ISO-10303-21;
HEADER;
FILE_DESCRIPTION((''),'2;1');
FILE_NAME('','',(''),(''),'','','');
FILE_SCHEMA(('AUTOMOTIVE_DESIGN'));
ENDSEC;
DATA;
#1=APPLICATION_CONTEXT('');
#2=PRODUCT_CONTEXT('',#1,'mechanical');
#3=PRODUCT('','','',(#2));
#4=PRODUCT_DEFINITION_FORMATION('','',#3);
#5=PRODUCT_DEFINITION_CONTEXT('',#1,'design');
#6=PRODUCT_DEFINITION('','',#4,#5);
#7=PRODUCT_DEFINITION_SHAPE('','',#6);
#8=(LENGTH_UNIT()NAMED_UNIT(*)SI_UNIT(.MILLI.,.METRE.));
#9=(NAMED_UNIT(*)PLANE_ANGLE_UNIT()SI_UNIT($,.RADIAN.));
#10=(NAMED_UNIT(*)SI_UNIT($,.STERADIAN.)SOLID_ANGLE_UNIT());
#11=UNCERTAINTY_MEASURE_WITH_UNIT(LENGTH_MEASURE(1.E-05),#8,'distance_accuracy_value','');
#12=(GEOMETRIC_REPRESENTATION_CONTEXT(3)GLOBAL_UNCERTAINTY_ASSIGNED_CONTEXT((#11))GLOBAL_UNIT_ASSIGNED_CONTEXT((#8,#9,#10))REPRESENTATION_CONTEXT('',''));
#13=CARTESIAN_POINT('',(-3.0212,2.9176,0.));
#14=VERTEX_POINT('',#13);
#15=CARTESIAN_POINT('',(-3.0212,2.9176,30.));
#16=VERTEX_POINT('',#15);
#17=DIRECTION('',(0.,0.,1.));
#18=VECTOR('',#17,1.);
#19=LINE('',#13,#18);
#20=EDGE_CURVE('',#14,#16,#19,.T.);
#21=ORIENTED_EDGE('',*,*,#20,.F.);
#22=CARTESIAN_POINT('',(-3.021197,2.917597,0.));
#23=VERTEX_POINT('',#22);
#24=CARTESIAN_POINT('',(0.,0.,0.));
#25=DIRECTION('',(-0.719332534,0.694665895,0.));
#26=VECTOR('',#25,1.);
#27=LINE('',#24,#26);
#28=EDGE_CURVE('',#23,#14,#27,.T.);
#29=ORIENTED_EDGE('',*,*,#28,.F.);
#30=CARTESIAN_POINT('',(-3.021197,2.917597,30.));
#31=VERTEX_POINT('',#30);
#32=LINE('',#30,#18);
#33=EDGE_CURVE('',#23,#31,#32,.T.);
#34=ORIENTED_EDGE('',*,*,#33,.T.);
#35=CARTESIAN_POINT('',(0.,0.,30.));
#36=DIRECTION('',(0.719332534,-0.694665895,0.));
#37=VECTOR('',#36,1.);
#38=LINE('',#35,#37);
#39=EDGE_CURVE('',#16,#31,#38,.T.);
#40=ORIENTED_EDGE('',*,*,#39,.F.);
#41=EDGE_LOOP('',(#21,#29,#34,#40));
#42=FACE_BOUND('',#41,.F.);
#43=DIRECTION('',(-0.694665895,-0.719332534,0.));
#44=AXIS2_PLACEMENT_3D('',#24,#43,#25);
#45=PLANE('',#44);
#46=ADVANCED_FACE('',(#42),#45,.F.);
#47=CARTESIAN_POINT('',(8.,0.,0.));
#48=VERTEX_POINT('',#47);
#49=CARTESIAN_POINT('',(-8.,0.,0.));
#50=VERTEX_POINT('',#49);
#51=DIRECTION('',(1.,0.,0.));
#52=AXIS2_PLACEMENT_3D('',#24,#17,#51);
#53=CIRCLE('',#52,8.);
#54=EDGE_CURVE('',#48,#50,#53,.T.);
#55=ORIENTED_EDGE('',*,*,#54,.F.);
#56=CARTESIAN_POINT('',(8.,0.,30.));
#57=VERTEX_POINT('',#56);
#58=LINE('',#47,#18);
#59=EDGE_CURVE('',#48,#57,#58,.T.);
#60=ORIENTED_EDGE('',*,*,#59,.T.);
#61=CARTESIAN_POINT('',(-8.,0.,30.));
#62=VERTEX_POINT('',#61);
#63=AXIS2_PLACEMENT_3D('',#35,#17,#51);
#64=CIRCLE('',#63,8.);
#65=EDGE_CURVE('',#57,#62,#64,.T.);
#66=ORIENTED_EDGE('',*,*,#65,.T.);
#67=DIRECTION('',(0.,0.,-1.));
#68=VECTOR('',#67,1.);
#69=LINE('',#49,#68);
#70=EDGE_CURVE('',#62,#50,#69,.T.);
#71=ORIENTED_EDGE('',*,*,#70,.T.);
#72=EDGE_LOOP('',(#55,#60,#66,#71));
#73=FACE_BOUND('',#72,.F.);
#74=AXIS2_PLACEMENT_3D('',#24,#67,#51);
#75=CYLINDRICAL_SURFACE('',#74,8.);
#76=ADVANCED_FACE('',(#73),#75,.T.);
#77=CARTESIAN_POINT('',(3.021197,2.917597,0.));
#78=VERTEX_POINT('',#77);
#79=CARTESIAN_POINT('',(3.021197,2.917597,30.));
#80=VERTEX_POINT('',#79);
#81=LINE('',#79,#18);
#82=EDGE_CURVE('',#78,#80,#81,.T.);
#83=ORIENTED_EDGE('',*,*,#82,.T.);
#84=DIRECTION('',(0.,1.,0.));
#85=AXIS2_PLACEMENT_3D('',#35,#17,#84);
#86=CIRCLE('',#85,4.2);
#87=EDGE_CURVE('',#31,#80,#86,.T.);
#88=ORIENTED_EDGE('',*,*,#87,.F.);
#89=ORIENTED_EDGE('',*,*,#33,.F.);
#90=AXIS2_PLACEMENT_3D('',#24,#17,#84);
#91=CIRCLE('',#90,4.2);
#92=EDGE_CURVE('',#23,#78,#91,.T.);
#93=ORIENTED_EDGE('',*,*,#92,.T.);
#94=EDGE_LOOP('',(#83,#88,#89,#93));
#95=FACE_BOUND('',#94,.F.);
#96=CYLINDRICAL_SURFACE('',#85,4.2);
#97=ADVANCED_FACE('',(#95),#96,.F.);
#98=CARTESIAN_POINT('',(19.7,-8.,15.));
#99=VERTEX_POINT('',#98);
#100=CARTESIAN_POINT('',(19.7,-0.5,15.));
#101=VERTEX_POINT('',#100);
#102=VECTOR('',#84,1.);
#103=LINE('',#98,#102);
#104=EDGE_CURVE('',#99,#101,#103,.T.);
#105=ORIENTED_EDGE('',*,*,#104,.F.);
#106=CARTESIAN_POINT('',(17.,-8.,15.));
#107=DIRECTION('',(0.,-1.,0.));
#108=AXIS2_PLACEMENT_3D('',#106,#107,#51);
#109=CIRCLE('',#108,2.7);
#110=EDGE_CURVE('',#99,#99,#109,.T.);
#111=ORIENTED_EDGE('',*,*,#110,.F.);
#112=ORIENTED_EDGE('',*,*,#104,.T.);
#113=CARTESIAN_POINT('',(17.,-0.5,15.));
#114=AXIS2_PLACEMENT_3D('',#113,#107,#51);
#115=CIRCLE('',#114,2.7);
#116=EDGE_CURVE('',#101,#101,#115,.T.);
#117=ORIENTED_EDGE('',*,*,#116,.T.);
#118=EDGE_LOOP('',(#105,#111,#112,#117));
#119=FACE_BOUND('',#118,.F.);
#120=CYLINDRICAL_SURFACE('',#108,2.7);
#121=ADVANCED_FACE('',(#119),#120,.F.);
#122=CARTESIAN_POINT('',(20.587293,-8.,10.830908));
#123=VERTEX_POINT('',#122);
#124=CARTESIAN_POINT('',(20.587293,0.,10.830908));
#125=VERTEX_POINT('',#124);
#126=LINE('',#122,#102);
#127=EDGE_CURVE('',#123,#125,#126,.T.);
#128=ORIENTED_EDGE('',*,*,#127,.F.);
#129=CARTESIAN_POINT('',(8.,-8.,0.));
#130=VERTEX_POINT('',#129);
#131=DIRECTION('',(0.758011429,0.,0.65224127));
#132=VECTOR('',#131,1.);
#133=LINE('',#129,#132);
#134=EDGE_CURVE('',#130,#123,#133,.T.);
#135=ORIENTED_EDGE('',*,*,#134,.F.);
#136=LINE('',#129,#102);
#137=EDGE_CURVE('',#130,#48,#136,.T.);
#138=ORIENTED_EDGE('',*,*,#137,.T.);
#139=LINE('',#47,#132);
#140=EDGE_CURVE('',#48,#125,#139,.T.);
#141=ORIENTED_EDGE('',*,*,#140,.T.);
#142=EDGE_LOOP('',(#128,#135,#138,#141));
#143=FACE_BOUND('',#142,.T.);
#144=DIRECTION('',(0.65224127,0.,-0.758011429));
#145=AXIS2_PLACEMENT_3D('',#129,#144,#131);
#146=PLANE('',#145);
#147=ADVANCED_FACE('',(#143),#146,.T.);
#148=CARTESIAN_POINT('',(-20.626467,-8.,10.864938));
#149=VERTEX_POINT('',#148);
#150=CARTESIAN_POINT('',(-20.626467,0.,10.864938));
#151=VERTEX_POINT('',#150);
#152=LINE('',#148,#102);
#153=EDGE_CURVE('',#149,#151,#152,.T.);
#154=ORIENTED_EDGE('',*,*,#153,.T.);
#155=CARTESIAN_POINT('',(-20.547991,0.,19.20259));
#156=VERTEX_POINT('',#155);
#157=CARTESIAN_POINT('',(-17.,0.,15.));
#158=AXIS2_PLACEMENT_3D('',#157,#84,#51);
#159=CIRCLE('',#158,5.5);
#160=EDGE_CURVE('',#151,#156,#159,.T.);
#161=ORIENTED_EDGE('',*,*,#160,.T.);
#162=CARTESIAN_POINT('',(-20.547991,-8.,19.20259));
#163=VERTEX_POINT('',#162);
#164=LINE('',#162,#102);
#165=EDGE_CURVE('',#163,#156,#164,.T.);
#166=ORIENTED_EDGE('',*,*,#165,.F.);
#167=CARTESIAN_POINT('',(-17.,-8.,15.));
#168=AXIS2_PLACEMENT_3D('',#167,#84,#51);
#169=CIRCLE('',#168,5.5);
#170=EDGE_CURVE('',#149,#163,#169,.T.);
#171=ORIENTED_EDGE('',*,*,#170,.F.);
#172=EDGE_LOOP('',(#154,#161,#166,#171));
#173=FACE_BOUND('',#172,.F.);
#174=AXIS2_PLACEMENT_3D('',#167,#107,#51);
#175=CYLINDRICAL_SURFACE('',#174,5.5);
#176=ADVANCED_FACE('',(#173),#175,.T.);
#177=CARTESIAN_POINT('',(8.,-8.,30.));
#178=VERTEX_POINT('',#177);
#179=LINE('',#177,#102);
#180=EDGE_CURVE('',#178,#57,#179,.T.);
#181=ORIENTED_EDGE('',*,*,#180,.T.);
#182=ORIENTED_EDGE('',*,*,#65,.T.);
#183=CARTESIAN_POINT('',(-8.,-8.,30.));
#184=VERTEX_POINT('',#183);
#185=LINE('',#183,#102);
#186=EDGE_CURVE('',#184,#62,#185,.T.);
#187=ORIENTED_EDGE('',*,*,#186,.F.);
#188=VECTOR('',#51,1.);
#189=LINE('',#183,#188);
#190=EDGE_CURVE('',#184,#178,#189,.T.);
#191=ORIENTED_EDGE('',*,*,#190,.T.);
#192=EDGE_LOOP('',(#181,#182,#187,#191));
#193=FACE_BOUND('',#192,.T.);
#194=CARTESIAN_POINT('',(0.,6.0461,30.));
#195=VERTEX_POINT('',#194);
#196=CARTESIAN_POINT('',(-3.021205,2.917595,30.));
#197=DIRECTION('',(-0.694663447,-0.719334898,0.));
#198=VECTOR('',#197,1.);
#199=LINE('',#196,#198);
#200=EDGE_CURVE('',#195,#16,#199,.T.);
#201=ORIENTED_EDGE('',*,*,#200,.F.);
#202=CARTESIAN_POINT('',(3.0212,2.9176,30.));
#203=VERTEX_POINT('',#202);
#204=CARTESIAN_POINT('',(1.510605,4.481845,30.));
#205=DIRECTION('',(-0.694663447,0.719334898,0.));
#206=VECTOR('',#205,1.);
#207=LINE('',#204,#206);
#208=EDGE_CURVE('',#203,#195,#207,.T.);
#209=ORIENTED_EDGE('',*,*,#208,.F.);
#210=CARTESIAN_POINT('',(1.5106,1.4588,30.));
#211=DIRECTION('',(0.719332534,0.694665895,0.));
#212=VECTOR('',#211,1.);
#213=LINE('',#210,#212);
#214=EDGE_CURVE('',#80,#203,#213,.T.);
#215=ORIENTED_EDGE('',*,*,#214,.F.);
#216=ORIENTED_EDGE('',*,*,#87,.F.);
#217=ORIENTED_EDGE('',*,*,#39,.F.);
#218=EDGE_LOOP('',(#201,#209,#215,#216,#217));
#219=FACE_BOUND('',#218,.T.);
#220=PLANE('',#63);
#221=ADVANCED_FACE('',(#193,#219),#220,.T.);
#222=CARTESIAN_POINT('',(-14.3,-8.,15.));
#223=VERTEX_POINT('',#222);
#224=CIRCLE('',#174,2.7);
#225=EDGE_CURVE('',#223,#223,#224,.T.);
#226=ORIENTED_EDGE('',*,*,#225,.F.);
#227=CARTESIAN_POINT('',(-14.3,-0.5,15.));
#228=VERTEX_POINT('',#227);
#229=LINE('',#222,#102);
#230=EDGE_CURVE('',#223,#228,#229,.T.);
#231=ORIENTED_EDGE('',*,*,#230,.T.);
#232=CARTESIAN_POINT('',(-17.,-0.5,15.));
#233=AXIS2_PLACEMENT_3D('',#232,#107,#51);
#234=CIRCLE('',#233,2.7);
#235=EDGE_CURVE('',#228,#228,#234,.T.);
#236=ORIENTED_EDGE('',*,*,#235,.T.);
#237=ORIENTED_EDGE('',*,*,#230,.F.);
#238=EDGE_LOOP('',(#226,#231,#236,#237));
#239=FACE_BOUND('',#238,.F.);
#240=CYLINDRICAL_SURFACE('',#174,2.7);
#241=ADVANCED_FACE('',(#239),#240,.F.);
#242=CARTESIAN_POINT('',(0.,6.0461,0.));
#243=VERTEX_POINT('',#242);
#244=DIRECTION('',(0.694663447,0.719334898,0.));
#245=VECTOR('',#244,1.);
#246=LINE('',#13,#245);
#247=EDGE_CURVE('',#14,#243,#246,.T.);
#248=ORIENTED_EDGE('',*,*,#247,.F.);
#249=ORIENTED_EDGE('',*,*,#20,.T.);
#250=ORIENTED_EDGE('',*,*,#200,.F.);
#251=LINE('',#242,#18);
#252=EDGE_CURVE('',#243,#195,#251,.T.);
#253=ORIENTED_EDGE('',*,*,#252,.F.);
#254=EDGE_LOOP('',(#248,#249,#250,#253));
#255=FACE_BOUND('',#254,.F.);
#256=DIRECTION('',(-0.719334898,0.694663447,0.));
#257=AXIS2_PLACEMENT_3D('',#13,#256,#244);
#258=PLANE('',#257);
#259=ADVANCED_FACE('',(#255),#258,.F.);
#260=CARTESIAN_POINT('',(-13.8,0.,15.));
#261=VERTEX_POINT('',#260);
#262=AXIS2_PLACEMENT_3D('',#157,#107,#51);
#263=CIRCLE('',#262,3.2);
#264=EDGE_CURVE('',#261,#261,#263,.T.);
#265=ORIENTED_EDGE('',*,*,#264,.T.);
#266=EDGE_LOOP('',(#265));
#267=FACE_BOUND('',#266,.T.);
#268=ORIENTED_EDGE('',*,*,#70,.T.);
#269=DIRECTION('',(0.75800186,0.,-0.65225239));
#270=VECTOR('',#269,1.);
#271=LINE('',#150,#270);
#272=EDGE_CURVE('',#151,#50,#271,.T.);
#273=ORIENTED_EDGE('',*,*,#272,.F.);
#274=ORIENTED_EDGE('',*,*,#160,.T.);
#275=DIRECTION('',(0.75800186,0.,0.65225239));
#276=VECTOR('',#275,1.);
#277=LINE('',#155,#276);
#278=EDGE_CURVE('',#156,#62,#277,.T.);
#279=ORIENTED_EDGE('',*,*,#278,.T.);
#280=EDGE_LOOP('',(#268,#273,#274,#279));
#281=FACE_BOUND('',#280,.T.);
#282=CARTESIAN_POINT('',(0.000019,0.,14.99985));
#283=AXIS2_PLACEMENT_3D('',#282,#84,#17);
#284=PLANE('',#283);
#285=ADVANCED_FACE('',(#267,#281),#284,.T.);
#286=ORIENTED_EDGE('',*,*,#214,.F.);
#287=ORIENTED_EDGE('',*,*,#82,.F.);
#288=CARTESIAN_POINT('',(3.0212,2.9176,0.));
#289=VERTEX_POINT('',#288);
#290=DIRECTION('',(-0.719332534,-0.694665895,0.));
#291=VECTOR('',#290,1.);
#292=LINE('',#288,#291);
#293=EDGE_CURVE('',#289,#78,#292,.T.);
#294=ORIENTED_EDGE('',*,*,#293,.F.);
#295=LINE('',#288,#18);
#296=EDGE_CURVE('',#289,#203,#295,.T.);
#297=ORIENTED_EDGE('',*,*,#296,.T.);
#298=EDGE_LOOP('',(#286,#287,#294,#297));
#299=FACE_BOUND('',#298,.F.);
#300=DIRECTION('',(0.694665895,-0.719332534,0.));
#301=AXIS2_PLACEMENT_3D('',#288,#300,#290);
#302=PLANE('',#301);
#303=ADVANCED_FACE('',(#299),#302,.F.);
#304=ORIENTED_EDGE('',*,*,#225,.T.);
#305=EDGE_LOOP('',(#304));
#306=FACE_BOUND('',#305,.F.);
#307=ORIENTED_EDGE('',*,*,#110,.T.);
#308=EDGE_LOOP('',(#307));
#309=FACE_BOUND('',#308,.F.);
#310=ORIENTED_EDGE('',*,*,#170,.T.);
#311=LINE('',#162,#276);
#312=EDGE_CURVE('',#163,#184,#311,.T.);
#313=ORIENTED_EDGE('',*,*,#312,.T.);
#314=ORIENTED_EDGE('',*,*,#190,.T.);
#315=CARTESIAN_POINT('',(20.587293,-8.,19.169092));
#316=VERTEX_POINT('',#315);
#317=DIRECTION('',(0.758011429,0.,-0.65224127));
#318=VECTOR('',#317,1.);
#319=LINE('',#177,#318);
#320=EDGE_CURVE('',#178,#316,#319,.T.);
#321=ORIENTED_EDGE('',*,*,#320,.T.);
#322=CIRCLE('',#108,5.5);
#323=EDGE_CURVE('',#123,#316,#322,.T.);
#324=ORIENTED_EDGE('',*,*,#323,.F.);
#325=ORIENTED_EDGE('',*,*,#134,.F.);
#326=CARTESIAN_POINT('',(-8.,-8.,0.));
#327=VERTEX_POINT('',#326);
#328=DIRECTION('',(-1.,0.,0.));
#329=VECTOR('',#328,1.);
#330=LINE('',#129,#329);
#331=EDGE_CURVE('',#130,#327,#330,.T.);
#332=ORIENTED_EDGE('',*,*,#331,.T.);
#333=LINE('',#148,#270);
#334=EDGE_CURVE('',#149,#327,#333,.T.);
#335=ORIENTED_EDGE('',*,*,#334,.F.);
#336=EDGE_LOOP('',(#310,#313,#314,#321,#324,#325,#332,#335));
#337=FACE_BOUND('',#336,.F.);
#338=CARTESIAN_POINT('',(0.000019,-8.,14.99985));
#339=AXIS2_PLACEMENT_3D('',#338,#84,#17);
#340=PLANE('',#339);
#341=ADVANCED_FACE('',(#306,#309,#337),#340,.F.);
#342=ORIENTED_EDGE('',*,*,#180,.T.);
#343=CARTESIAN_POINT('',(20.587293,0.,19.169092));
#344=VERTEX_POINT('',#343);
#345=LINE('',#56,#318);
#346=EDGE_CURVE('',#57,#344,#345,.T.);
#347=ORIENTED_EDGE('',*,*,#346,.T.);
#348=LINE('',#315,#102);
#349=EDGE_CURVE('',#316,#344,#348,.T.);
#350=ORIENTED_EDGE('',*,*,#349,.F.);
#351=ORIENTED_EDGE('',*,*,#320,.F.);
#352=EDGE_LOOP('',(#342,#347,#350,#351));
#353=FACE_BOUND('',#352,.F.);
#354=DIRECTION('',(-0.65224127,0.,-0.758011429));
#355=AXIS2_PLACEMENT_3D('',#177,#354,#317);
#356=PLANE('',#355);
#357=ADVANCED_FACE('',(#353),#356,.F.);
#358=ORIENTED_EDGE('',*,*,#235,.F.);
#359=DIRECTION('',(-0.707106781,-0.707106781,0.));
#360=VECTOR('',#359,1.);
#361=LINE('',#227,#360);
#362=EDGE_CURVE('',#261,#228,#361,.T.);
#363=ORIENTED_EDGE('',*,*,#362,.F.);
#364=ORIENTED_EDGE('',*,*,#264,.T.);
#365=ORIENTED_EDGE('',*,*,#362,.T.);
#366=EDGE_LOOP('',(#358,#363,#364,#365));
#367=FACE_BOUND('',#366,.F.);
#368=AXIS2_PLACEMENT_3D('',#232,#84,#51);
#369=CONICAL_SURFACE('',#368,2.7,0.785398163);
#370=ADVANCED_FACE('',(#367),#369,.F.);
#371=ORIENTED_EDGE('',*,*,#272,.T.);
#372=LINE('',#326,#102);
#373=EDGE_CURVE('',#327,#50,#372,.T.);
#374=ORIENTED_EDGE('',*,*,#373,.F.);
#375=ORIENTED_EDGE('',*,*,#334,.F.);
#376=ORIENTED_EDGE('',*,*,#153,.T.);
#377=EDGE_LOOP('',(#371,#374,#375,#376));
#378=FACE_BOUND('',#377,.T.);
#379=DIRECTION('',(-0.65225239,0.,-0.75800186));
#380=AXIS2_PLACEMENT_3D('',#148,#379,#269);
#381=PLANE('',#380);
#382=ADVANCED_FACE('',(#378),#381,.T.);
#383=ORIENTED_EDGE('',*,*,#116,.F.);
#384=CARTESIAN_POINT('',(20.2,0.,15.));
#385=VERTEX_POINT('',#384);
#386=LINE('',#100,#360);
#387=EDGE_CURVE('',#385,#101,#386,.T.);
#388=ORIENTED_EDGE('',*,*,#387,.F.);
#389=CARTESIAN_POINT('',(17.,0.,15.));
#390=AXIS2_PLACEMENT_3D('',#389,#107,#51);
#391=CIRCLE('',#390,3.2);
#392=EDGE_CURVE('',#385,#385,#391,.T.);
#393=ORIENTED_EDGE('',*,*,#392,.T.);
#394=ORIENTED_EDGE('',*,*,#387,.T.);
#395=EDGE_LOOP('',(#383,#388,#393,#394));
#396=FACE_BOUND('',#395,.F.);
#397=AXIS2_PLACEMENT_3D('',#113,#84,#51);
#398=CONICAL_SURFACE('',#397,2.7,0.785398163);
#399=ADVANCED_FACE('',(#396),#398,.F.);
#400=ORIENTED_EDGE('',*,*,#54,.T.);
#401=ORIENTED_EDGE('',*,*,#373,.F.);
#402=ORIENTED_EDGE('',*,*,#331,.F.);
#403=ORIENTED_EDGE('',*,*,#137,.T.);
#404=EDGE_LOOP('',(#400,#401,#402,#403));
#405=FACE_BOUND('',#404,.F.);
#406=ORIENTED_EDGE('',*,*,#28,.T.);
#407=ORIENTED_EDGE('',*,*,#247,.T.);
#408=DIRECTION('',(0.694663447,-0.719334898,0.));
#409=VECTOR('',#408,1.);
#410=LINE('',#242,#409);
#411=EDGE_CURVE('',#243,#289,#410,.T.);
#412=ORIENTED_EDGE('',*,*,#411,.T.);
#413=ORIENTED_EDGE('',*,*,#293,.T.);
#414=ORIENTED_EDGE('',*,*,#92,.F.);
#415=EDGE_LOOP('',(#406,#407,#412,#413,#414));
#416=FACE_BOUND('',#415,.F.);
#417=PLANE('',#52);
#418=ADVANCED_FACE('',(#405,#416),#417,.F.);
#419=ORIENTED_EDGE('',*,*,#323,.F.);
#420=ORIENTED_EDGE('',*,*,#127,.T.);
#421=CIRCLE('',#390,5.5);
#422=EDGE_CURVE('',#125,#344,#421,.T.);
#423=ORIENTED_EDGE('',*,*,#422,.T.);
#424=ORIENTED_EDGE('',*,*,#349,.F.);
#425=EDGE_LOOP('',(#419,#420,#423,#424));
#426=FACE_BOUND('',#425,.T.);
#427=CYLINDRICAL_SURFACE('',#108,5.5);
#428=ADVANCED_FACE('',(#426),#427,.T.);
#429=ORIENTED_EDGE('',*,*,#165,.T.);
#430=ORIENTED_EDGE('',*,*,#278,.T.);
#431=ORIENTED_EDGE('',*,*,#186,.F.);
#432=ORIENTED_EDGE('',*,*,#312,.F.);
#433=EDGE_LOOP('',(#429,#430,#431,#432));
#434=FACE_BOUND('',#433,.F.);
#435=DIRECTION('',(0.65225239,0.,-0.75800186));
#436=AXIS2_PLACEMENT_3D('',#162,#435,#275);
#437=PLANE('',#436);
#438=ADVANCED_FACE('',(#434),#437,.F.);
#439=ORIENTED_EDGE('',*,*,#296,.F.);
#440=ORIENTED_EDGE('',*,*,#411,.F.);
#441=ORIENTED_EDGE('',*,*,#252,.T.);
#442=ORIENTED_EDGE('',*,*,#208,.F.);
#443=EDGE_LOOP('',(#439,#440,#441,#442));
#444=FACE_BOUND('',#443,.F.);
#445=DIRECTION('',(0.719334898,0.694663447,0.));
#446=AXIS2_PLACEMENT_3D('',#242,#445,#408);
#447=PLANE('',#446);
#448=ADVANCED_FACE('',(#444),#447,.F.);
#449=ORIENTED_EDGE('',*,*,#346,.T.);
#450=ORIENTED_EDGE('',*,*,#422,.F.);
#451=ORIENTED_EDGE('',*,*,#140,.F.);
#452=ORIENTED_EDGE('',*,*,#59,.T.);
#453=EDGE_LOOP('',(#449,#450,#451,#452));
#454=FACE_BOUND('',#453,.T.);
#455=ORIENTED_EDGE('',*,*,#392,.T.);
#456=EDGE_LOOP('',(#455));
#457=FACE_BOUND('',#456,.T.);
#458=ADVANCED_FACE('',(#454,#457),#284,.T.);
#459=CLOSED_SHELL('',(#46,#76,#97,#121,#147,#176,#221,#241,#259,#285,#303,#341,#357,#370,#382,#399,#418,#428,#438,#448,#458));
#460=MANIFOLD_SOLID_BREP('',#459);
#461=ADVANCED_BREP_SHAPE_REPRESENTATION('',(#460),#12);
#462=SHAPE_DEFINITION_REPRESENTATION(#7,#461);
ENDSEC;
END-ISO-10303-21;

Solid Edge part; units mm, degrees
sketch "Sketch1" plane through (0, 0, 0) normal (0, 0, 1) x (1, 0, 0)
  circle A0 centre (0, 0) radius 4.1
  circle A1 centre (0, 0) radius 8
extrude "Protrusion1" add sketch "Sketch1" along normal blind 30
sketch "Sketch2" plane through (0, -8, 0) normal (0, -1, 0) x (1, 0, 0)
  arc A0 (-20.6265, 10.8649) -> (-20.548, 19.2026) centre (-17, 15) cw
  line L0 (-20.548, 19.2026) -> (-8, 30)
  line L1 (-8, 30) -> (8, 30)
  line L2 (8, 30) -> (20.5873, 19.1691)
  arc A1 (20.5873, 10.8309) -> (20.5873, 19.1691) centre (17, 15) ccw
  line L3 (8, 0) -> (20.5873, 10.8309)
  line L4 (8, 0) -> (-8, 0)
  line L5 (-20.6265, 10.8649) -> (-8, 0)
  circle A2 centre (-17, 15) radius 2.7
  circle A3 centre (17, 15) radius 2.7
  dimension "D1" = 17
extrude "Protrusion2" add sketch "Sketch2" against normal up to vertex (8 mm away)
sketch "Sketch3" plane through (0, 0, 30) normal (0, 0, 1) x (0, 1, 0)
  circle A0 centre (0, 0) radius 4.2
extrude "Cutout1" cut sketch "Sketch3" against normal through all
sketch "Sketch4" plane through (0, 0, 0) normal (0, 0, -1) x (-1, 0, 0)
  line L0 (0, 0) -> (3.0212, 2.9176)
  line L1 (3.0212, 2.9176) -> (0, 6.0461)
  line L2 (0, 6.0461) -> (-3.0212, 2.9176)
  line L3 (-3.0212, 2.9176) -> (0, 0)
extrude "Cutout2" cut sketch "Sketch4" against normal through all
chamfer "Chamfer_1" distance 0.5 angle 45 2 edges at (14.3, 0, 15) (-19.7, 0, 15)
